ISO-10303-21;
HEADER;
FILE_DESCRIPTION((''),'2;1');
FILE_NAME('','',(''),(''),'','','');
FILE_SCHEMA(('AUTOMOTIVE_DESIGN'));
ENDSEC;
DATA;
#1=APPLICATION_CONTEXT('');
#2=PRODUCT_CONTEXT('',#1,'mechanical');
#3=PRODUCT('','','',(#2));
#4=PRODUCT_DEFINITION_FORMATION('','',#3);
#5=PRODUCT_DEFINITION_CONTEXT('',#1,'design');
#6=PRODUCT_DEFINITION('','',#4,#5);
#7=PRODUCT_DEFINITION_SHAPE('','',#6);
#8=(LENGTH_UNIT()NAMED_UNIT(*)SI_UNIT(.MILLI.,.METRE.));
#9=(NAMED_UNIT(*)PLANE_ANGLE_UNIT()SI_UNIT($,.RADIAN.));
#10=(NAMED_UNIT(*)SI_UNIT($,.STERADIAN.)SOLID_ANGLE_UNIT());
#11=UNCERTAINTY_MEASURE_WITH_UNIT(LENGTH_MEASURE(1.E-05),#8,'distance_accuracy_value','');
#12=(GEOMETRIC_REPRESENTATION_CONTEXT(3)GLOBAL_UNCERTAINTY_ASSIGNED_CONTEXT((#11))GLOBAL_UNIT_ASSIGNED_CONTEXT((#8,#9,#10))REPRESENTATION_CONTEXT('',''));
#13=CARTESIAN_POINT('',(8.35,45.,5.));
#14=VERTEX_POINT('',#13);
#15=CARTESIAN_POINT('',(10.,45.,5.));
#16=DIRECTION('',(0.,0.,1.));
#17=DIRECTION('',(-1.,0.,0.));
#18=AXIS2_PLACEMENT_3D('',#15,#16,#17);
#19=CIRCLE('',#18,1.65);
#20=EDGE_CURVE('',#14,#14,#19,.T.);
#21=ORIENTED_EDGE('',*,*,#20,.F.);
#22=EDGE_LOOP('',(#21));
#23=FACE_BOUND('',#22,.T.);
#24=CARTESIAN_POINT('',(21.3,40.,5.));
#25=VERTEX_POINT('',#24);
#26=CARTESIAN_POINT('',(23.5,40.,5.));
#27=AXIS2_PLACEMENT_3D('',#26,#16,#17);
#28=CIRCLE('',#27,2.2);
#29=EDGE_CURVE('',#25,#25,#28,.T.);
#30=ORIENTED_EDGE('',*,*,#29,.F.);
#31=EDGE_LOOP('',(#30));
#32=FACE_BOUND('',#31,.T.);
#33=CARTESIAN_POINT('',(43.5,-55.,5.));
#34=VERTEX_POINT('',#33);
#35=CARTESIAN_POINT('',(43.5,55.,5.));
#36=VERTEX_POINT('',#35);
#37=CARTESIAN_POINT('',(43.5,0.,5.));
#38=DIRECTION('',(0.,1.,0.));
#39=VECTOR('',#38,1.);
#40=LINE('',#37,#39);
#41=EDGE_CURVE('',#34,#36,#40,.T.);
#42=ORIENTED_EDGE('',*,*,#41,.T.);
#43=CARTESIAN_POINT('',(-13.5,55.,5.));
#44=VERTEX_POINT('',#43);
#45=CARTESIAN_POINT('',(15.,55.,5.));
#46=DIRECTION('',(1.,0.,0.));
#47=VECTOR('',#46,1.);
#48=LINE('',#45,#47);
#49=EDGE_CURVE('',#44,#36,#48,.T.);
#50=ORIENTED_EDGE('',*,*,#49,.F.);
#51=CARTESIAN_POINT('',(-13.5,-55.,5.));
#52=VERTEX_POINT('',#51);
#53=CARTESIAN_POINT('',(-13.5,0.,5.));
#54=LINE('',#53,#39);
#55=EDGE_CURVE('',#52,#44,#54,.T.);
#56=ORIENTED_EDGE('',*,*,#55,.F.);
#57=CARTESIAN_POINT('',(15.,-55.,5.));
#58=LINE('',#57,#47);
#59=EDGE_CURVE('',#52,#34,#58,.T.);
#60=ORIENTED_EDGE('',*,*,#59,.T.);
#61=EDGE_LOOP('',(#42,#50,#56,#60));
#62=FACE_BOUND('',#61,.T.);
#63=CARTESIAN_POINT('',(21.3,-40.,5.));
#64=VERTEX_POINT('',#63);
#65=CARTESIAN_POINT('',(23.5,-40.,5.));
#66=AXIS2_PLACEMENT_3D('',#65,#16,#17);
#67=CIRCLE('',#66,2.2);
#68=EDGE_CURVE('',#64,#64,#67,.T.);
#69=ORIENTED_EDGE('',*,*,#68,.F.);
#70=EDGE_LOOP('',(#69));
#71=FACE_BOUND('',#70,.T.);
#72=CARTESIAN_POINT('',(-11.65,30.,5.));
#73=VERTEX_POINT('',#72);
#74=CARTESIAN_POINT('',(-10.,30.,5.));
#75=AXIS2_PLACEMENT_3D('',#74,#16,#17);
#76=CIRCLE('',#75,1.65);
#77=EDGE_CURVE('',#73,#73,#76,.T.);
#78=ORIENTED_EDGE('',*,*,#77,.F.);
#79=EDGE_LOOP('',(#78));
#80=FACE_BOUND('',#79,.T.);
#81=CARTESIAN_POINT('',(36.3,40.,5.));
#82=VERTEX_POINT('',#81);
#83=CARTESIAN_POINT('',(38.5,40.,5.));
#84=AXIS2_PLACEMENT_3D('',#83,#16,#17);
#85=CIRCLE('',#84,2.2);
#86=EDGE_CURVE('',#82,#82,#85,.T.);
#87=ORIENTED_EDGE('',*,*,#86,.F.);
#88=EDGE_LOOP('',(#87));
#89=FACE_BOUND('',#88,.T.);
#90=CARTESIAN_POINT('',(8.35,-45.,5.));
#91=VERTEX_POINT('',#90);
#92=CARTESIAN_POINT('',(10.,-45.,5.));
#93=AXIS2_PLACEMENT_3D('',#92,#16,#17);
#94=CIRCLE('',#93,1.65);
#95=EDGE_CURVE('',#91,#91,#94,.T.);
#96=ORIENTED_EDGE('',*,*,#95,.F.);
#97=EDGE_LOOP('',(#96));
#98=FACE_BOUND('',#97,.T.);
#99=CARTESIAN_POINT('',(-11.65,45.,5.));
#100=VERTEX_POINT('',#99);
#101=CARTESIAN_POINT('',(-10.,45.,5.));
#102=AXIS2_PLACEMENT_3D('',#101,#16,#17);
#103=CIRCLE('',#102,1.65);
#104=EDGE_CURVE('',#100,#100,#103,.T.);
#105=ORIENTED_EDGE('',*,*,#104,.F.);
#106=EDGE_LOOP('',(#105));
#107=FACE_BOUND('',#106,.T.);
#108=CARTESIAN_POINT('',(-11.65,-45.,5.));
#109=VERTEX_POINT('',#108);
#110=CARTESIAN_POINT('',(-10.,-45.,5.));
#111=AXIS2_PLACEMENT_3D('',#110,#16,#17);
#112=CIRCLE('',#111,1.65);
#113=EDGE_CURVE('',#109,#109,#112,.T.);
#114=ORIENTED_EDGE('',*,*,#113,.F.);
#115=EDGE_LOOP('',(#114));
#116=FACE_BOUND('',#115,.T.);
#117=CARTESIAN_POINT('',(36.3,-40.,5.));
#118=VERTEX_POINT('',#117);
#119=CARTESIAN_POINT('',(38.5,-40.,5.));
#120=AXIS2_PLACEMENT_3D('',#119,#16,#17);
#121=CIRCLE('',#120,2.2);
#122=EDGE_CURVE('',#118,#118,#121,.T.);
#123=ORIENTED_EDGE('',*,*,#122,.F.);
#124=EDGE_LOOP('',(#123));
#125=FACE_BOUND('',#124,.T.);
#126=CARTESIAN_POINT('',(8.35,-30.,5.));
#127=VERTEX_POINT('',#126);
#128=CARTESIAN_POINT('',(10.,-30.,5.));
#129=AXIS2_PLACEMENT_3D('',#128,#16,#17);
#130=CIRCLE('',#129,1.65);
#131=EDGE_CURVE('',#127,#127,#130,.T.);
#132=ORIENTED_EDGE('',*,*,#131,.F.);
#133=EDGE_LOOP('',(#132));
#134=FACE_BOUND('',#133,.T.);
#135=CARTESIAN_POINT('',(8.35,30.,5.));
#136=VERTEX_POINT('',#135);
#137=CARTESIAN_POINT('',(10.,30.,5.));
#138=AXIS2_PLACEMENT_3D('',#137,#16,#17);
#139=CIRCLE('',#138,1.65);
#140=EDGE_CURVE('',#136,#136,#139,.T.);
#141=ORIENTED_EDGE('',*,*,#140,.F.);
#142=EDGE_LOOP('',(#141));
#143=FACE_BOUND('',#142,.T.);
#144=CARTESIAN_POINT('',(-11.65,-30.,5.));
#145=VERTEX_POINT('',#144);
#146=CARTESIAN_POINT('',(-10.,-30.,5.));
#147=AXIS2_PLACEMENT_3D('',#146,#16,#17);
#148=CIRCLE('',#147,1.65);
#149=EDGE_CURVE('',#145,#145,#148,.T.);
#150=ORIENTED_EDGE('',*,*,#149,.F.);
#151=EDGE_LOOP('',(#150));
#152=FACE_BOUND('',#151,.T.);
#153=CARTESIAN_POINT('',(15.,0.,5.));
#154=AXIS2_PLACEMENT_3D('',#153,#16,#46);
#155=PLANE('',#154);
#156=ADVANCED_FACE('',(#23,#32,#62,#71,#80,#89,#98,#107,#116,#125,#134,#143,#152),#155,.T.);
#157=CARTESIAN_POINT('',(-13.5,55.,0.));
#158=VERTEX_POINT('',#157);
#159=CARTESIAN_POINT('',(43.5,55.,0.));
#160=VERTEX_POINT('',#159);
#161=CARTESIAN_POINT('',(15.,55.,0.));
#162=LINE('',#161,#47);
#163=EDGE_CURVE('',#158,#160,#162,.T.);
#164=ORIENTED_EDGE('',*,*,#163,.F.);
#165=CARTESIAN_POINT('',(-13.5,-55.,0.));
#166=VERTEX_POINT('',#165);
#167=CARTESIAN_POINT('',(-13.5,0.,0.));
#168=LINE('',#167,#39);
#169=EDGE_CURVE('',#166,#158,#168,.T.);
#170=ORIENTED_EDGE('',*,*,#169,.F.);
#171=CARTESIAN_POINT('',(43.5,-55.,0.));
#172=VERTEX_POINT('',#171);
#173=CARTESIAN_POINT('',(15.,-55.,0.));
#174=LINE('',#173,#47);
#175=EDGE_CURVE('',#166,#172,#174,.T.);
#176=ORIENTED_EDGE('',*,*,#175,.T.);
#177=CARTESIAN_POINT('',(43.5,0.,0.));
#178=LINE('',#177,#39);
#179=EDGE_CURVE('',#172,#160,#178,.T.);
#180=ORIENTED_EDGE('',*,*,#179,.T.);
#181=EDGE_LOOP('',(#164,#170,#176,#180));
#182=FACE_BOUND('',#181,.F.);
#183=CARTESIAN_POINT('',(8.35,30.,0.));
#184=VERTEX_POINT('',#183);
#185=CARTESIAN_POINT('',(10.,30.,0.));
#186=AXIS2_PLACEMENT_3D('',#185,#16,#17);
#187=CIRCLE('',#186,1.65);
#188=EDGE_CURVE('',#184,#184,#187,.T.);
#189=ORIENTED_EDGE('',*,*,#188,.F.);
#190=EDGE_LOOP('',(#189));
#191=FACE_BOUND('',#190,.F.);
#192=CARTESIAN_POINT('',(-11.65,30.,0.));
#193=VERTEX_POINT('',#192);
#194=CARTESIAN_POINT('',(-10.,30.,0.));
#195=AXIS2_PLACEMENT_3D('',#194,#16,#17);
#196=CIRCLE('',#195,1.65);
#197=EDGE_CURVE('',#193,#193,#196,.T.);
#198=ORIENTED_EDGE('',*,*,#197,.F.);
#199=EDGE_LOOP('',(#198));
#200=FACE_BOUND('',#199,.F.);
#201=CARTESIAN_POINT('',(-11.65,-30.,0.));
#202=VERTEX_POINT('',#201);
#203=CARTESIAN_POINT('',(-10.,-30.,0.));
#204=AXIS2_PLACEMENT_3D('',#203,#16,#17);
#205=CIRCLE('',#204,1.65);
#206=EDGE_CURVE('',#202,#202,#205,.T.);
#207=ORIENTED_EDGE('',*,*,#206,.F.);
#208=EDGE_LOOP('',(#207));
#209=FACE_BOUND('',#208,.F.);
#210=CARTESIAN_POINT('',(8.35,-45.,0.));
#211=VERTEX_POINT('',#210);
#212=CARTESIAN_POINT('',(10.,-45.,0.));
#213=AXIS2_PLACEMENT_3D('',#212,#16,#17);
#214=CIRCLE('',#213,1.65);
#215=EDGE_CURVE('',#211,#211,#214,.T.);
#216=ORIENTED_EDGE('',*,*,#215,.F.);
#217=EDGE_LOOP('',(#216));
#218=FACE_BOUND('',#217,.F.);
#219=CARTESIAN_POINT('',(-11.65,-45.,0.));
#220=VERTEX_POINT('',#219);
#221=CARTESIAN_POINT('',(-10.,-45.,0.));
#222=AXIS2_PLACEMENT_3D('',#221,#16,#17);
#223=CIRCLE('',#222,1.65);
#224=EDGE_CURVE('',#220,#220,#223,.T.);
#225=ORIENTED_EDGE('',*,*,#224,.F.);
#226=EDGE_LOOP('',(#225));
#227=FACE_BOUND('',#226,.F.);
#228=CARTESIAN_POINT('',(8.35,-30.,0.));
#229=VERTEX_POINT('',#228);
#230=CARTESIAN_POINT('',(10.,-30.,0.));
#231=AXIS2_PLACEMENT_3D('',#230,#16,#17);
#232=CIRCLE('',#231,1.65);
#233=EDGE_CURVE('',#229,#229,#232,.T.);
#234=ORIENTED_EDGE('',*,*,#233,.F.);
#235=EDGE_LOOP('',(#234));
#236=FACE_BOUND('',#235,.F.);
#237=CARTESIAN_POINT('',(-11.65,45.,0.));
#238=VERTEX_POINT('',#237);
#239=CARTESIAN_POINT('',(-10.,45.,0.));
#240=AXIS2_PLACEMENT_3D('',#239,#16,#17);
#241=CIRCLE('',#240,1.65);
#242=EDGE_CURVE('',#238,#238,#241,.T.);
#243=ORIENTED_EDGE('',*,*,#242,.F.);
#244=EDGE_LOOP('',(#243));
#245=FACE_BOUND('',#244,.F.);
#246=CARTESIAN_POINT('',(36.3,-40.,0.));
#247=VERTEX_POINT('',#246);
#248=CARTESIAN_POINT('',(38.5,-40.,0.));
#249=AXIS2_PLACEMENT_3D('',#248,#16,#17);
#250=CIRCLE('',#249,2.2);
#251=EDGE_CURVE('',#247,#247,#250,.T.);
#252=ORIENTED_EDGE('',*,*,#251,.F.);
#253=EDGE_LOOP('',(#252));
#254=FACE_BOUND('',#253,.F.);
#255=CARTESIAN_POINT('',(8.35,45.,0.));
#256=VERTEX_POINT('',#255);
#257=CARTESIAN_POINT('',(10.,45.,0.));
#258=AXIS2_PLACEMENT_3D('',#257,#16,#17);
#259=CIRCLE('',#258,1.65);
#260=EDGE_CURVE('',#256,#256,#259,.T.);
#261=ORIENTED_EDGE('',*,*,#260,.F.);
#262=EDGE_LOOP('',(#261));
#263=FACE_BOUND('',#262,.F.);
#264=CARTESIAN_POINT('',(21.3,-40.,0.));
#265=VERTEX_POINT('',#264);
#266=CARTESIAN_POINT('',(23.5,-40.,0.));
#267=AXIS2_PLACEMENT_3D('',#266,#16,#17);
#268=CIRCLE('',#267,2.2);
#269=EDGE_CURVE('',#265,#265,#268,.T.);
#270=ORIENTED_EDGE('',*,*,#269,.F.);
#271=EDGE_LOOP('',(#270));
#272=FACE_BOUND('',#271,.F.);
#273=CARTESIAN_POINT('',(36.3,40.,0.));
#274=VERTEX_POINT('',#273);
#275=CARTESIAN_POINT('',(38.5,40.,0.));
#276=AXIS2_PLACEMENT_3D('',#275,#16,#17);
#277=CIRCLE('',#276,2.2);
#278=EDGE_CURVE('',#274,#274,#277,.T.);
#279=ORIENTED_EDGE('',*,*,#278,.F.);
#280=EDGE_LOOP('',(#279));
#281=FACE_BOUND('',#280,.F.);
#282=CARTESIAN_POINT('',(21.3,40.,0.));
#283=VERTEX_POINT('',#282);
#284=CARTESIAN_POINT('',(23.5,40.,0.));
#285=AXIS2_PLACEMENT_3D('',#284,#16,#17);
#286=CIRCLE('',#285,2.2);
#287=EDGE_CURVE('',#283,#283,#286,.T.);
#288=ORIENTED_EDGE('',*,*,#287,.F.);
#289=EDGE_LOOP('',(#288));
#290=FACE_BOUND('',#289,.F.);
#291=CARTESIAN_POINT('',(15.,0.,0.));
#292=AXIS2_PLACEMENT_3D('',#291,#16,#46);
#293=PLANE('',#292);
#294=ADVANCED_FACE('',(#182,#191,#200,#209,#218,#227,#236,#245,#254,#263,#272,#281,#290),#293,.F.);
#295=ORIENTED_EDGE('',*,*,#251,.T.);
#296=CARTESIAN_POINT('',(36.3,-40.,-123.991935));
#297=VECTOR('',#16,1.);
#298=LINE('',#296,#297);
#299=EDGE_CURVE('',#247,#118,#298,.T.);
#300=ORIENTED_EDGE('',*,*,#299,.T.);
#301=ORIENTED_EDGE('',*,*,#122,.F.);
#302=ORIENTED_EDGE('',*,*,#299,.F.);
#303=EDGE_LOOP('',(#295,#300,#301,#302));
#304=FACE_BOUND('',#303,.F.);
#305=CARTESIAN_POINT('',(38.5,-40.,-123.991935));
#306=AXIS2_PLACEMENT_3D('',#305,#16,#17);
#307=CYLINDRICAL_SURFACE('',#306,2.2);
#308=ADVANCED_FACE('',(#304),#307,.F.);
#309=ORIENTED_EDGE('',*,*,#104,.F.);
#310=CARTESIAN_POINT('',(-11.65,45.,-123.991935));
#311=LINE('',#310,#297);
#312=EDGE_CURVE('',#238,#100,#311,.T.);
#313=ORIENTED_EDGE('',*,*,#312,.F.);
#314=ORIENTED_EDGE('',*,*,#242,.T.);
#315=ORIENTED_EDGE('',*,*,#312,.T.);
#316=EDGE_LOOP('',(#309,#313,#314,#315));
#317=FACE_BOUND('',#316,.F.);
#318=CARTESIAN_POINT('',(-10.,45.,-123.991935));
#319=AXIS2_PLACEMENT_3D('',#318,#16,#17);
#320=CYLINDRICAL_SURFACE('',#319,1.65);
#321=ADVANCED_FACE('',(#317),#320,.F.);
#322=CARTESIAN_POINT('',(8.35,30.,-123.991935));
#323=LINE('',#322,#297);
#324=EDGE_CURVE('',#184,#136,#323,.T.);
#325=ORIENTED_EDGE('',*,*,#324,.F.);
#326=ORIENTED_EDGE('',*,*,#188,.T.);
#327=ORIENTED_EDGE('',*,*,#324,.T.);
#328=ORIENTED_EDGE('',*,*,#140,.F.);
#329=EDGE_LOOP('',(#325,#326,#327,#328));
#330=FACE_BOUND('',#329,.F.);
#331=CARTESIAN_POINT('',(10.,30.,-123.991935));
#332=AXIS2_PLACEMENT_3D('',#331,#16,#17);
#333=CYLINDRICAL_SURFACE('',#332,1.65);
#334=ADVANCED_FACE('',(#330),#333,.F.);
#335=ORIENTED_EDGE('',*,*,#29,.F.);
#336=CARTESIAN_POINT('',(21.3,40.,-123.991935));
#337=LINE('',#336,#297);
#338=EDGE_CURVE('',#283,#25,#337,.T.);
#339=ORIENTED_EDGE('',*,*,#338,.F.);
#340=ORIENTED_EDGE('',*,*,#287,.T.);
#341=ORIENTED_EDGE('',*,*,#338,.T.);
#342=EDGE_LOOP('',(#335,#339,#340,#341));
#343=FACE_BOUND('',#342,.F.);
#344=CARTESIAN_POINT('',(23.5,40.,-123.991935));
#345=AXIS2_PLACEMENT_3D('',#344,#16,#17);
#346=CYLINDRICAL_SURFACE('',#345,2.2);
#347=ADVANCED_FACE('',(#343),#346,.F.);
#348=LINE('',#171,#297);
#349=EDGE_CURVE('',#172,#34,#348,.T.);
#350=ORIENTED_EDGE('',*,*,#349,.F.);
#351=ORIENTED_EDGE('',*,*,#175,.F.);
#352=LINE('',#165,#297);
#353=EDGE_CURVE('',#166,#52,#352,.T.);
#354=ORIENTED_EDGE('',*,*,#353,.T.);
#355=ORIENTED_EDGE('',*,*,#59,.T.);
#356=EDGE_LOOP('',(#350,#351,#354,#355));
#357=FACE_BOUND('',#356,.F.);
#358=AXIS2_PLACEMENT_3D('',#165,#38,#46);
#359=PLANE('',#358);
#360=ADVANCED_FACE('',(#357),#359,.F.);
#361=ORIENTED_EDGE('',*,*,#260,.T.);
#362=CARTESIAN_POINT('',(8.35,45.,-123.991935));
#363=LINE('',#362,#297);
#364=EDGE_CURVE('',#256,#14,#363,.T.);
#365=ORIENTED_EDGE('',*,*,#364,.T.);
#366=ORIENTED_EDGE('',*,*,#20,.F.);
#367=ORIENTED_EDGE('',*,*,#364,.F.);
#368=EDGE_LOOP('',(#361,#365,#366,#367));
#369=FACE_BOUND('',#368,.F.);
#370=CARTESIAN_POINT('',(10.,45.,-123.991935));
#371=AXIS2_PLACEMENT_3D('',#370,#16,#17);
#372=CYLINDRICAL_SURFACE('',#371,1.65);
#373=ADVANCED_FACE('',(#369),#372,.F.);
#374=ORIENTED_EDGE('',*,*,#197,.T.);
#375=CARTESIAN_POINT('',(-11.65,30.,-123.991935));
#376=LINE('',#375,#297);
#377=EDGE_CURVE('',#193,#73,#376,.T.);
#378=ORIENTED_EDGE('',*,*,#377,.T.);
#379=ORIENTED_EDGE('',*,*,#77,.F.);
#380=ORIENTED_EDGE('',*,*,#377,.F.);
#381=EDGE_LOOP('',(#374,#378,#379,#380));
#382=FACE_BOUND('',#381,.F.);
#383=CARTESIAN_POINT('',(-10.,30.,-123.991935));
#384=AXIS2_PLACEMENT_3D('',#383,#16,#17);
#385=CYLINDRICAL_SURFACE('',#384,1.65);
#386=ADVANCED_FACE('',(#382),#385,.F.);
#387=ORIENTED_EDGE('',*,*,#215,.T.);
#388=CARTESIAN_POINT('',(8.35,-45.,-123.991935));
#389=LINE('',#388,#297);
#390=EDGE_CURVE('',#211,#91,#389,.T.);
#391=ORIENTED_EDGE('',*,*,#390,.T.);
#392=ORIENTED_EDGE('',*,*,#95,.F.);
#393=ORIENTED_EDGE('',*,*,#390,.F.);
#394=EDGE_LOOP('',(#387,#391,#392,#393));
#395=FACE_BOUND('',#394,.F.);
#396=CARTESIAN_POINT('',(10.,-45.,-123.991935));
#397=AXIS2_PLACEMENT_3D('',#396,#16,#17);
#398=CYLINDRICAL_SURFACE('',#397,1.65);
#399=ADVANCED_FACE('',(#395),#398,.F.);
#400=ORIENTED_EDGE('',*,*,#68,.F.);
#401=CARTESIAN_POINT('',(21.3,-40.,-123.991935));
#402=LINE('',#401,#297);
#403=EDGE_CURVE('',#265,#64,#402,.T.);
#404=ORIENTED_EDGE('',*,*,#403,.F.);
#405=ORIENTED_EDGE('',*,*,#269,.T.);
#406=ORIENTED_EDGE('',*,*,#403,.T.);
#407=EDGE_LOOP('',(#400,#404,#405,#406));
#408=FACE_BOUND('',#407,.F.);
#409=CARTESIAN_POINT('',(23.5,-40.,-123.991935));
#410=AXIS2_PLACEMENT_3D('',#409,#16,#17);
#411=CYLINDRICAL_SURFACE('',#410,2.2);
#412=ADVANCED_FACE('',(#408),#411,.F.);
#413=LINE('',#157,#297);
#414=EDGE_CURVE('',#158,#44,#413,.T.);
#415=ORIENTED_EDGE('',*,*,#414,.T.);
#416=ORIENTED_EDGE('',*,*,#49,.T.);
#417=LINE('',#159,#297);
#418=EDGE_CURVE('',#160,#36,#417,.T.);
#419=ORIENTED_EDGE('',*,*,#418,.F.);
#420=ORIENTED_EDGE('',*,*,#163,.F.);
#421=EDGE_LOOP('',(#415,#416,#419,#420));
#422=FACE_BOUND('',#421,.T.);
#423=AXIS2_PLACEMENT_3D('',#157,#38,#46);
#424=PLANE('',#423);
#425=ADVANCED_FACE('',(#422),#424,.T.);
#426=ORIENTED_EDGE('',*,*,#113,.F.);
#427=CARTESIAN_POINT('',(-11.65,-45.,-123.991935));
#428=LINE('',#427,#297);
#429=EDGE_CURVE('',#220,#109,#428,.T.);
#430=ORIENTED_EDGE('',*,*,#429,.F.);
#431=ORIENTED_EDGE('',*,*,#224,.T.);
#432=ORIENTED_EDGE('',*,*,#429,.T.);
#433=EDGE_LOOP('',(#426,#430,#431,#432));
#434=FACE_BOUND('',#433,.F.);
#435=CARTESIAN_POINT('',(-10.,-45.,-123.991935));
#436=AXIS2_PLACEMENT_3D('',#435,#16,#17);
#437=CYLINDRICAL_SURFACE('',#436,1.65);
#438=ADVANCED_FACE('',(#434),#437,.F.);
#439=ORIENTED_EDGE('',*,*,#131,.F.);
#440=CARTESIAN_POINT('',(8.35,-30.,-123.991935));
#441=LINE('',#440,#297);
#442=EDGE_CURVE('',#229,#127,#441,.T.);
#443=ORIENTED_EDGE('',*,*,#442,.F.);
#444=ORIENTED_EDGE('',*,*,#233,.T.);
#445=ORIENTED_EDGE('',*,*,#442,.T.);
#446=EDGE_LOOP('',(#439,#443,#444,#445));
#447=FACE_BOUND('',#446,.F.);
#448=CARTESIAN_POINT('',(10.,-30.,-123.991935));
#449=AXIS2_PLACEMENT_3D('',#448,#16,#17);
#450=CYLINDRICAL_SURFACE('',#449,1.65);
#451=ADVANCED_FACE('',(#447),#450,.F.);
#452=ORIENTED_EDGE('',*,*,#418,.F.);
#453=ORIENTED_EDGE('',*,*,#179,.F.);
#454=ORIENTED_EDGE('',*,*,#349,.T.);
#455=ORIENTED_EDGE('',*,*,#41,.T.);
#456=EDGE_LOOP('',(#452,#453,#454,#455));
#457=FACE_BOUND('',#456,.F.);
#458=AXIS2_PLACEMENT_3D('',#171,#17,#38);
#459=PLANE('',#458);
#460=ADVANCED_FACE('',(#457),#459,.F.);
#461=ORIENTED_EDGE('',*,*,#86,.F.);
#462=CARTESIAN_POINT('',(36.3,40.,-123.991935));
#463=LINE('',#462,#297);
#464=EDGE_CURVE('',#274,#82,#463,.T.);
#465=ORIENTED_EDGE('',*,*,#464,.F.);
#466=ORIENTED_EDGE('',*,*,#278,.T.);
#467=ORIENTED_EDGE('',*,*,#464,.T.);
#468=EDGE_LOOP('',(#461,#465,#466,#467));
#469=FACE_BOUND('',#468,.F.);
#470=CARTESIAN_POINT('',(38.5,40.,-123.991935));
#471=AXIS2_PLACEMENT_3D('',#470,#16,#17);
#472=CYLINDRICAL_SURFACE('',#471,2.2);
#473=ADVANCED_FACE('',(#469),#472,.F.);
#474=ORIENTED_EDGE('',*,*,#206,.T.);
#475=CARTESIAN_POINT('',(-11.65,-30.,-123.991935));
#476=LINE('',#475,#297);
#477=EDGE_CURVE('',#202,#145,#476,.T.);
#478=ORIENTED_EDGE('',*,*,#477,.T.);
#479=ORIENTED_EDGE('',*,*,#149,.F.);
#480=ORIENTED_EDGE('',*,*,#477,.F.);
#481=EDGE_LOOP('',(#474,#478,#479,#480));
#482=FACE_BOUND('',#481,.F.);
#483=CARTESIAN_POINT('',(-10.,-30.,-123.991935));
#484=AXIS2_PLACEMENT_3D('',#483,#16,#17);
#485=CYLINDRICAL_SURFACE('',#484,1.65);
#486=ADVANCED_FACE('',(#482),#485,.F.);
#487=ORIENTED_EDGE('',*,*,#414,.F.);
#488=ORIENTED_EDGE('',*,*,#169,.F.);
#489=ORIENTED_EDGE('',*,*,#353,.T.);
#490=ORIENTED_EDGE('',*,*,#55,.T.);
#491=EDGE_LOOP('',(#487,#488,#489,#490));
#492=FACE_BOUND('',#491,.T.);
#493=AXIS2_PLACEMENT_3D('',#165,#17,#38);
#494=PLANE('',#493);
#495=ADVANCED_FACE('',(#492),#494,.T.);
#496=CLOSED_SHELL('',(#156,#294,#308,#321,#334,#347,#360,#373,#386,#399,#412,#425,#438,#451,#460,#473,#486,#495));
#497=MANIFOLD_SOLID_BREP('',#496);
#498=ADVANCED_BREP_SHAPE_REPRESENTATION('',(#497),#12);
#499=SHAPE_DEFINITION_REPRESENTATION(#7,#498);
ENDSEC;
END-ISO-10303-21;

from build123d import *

# Parameters (mm, degrees)
F0_W     = 57
F0_H     = 110
F1_DEPTH = 5
F2_D     = 3.3
F3_D     = 4.4


with BuildPart() as f1:
    # F0 (on Top) → F1 (new body)
    with BuildSketch(Plane.XY):
        with Locations((15, 0)):
            Rectangle(F0_W, F0_H)
    extrude(amount=F1_DEPTH)

    # F2 (through all)
    with Locations(Plane(origin=(0, 0, 0), x_dir=(1, 0, 0), z_dir=(0, 0, -1))):
        with Locations((-10, -45), (-10, -30), (10, -30), (10, -45), (-10, 30), (-10, 45), (10, 45), (10, 30)):
            Hole(F2_D / 2)

    # F3 (through all)
    with Locations(Plane(origin=(0, 0, 0), x_dir=(1, 0, 0), z_dir=(0, 0, -1))):
        with Locations((23.5, -40), (38.5, -40), (23.5, 40), (38.5, 40)):
            Hole(F3_D / 2)


solid = f1.part
